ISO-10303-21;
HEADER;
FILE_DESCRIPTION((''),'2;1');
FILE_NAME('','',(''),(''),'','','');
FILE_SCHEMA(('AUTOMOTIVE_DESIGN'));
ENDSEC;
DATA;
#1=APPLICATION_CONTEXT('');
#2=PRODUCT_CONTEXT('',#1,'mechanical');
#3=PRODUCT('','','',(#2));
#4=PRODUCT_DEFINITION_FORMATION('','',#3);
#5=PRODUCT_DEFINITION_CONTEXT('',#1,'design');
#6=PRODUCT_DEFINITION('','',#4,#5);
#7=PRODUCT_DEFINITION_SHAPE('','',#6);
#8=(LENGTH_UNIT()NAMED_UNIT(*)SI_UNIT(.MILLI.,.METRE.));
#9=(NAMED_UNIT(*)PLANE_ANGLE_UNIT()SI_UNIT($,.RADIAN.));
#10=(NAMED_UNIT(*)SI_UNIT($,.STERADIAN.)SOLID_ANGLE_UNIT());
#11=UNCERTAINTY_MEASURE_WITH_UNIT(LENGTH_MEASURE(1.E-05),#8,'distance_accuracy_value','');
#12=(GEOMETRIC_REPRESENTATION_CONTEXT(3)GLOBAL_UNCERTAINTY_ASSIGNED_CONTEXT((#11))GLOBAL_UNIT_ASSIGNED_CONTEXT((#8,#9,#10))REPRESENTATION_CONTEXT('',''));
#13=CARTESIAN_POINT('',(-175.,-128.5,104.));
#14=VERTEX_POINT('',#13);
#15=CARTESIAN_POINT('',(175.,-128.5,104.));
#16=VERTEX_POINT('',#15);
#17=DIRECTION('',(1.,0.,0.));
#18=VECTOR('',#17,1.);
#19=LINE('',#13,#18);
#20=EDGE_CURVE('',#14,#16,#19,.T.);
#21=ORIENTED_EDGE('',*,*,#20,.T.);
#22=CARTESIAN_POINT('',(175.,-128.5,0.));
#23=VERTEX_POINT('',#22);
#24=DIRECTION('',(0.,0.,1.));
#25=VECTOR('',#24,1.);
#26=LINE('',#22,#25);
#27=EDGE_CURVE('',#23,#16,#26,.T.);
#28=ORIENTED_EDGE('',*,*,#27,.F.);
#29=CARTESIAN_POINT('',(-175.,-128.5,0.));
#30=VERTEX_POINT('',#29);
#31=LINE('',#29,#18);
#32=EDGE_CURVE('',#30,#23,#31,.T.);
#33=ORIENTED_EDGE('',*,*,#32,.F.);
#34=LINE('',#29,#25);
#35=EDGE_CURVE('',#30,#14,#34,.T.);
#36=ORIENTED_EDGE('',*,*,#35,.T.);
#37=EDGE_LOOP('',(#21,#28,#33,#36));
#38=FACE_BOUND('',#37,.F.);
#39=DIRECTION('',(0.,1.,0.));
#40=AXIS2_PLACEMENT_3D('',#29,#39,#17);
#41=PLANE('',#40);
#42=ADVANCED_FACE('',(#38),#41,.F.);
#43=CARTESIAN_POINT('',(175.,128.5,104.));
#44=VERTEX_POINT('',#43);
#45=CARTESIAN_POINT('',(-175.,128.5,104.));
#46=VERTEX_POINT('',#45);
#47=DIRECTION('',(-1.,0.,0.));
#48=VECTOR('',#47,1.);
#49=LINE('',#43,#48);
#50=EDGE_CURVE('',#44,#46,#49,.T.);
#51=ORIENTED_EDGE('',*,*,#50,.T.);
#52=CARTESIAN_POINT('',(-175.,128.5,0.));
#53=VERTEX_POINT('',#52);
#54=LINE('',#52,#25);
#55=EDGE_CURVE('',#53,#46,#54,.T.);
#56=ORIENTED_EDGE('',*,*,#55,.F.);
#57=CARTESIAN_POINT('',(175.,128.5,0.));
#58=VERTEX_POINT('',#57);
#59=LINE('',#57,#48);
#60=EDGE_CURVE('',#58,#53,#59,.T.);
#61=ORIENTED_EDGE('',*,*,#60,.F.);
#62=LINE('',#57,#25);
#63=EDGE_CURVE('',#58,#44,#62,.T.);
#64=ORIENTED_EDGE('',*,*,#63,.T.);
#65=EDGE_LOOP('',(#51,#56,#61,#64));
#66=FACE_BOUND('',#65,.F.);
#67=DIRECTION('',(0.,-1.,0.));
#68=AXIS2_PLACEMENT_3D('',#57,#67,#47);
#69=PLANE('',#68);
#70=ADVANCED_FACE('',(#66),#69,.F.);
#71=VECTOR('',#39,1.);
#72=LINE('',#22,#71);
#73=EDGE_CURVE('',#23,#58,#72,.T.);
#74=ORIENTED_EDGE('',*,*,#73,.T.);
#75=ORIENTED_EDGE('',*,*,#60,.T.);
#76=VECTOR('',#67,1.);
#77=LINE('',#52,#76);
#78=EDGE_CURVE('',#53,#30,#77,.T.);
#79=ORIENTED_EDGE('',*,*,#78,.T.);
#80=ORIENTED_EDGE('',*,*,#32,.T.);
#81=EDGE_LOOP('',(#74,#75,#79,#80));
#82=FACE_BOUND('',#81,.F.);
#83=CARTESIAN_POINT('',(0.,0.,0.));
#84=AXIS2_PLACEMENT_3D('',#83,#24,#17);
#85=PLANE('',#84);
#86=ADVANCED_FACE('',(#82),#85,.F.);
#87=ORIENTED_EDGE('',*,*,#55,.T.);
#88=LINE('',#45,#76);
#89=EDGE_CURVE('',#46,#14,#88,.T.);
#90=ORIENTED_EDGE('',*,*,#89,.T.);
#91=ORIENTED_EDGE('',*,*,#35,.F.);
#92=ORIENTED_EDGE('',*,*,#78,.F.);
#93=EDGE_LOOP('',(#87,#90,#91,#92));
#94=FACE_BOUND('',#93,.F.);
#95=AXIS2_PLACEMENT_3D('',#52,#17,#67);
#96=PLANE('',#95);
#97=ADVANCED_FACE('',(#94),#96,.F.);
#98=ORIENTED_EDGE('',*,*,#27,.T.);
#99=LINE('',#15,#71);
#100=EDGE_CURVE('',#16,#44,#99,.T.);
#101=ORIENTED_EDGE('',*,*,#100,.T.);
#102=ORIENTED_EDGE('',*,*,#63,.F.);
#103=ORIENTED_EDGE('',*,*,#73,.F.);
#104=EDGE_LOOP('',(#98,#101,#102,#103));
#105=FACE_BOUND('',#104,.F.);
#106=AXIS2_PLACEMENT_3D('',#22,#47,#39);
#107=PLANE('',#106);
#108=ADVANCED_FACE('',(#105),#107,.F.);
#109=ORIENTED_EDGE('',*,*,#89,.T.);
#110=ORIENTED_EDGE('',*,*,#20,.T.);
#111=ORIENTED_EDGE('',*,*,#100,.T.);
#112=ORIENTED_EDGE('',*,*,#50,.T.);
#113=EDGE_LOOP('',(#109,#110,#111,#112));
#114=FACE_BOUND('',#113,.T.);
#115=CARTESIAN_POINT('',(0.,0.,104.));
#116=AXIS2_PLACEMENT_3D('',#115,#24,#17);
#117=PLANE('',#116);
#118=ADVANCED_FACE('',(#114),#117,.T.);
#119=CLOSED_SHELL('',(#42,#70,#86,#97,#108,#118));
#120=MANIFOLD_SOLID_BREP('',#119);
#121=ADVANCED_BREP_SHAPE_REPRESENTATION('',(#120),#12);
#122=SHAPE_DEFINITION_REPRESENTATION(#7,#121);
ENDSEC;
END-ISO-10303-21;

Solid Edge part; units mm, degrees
sketch "Sketch1" plane through (0, 0, 0) normal (0, 0, 1) x (1, 0, 0)
  line L0 (-175, -128.5) -> (175, -128.5)
  line L1 (175, -128.5) -> (175, 128.5)
  line L2 (175, 128.5) -> (-175, 128.5)
  line L3 (-175, 128.5) -> (-175, -128.5)
  dimension "D1" = 350
  dimension "D2" = 257
extrude "Protrusion1" add sketch "Sketch1" along normal blind 104
